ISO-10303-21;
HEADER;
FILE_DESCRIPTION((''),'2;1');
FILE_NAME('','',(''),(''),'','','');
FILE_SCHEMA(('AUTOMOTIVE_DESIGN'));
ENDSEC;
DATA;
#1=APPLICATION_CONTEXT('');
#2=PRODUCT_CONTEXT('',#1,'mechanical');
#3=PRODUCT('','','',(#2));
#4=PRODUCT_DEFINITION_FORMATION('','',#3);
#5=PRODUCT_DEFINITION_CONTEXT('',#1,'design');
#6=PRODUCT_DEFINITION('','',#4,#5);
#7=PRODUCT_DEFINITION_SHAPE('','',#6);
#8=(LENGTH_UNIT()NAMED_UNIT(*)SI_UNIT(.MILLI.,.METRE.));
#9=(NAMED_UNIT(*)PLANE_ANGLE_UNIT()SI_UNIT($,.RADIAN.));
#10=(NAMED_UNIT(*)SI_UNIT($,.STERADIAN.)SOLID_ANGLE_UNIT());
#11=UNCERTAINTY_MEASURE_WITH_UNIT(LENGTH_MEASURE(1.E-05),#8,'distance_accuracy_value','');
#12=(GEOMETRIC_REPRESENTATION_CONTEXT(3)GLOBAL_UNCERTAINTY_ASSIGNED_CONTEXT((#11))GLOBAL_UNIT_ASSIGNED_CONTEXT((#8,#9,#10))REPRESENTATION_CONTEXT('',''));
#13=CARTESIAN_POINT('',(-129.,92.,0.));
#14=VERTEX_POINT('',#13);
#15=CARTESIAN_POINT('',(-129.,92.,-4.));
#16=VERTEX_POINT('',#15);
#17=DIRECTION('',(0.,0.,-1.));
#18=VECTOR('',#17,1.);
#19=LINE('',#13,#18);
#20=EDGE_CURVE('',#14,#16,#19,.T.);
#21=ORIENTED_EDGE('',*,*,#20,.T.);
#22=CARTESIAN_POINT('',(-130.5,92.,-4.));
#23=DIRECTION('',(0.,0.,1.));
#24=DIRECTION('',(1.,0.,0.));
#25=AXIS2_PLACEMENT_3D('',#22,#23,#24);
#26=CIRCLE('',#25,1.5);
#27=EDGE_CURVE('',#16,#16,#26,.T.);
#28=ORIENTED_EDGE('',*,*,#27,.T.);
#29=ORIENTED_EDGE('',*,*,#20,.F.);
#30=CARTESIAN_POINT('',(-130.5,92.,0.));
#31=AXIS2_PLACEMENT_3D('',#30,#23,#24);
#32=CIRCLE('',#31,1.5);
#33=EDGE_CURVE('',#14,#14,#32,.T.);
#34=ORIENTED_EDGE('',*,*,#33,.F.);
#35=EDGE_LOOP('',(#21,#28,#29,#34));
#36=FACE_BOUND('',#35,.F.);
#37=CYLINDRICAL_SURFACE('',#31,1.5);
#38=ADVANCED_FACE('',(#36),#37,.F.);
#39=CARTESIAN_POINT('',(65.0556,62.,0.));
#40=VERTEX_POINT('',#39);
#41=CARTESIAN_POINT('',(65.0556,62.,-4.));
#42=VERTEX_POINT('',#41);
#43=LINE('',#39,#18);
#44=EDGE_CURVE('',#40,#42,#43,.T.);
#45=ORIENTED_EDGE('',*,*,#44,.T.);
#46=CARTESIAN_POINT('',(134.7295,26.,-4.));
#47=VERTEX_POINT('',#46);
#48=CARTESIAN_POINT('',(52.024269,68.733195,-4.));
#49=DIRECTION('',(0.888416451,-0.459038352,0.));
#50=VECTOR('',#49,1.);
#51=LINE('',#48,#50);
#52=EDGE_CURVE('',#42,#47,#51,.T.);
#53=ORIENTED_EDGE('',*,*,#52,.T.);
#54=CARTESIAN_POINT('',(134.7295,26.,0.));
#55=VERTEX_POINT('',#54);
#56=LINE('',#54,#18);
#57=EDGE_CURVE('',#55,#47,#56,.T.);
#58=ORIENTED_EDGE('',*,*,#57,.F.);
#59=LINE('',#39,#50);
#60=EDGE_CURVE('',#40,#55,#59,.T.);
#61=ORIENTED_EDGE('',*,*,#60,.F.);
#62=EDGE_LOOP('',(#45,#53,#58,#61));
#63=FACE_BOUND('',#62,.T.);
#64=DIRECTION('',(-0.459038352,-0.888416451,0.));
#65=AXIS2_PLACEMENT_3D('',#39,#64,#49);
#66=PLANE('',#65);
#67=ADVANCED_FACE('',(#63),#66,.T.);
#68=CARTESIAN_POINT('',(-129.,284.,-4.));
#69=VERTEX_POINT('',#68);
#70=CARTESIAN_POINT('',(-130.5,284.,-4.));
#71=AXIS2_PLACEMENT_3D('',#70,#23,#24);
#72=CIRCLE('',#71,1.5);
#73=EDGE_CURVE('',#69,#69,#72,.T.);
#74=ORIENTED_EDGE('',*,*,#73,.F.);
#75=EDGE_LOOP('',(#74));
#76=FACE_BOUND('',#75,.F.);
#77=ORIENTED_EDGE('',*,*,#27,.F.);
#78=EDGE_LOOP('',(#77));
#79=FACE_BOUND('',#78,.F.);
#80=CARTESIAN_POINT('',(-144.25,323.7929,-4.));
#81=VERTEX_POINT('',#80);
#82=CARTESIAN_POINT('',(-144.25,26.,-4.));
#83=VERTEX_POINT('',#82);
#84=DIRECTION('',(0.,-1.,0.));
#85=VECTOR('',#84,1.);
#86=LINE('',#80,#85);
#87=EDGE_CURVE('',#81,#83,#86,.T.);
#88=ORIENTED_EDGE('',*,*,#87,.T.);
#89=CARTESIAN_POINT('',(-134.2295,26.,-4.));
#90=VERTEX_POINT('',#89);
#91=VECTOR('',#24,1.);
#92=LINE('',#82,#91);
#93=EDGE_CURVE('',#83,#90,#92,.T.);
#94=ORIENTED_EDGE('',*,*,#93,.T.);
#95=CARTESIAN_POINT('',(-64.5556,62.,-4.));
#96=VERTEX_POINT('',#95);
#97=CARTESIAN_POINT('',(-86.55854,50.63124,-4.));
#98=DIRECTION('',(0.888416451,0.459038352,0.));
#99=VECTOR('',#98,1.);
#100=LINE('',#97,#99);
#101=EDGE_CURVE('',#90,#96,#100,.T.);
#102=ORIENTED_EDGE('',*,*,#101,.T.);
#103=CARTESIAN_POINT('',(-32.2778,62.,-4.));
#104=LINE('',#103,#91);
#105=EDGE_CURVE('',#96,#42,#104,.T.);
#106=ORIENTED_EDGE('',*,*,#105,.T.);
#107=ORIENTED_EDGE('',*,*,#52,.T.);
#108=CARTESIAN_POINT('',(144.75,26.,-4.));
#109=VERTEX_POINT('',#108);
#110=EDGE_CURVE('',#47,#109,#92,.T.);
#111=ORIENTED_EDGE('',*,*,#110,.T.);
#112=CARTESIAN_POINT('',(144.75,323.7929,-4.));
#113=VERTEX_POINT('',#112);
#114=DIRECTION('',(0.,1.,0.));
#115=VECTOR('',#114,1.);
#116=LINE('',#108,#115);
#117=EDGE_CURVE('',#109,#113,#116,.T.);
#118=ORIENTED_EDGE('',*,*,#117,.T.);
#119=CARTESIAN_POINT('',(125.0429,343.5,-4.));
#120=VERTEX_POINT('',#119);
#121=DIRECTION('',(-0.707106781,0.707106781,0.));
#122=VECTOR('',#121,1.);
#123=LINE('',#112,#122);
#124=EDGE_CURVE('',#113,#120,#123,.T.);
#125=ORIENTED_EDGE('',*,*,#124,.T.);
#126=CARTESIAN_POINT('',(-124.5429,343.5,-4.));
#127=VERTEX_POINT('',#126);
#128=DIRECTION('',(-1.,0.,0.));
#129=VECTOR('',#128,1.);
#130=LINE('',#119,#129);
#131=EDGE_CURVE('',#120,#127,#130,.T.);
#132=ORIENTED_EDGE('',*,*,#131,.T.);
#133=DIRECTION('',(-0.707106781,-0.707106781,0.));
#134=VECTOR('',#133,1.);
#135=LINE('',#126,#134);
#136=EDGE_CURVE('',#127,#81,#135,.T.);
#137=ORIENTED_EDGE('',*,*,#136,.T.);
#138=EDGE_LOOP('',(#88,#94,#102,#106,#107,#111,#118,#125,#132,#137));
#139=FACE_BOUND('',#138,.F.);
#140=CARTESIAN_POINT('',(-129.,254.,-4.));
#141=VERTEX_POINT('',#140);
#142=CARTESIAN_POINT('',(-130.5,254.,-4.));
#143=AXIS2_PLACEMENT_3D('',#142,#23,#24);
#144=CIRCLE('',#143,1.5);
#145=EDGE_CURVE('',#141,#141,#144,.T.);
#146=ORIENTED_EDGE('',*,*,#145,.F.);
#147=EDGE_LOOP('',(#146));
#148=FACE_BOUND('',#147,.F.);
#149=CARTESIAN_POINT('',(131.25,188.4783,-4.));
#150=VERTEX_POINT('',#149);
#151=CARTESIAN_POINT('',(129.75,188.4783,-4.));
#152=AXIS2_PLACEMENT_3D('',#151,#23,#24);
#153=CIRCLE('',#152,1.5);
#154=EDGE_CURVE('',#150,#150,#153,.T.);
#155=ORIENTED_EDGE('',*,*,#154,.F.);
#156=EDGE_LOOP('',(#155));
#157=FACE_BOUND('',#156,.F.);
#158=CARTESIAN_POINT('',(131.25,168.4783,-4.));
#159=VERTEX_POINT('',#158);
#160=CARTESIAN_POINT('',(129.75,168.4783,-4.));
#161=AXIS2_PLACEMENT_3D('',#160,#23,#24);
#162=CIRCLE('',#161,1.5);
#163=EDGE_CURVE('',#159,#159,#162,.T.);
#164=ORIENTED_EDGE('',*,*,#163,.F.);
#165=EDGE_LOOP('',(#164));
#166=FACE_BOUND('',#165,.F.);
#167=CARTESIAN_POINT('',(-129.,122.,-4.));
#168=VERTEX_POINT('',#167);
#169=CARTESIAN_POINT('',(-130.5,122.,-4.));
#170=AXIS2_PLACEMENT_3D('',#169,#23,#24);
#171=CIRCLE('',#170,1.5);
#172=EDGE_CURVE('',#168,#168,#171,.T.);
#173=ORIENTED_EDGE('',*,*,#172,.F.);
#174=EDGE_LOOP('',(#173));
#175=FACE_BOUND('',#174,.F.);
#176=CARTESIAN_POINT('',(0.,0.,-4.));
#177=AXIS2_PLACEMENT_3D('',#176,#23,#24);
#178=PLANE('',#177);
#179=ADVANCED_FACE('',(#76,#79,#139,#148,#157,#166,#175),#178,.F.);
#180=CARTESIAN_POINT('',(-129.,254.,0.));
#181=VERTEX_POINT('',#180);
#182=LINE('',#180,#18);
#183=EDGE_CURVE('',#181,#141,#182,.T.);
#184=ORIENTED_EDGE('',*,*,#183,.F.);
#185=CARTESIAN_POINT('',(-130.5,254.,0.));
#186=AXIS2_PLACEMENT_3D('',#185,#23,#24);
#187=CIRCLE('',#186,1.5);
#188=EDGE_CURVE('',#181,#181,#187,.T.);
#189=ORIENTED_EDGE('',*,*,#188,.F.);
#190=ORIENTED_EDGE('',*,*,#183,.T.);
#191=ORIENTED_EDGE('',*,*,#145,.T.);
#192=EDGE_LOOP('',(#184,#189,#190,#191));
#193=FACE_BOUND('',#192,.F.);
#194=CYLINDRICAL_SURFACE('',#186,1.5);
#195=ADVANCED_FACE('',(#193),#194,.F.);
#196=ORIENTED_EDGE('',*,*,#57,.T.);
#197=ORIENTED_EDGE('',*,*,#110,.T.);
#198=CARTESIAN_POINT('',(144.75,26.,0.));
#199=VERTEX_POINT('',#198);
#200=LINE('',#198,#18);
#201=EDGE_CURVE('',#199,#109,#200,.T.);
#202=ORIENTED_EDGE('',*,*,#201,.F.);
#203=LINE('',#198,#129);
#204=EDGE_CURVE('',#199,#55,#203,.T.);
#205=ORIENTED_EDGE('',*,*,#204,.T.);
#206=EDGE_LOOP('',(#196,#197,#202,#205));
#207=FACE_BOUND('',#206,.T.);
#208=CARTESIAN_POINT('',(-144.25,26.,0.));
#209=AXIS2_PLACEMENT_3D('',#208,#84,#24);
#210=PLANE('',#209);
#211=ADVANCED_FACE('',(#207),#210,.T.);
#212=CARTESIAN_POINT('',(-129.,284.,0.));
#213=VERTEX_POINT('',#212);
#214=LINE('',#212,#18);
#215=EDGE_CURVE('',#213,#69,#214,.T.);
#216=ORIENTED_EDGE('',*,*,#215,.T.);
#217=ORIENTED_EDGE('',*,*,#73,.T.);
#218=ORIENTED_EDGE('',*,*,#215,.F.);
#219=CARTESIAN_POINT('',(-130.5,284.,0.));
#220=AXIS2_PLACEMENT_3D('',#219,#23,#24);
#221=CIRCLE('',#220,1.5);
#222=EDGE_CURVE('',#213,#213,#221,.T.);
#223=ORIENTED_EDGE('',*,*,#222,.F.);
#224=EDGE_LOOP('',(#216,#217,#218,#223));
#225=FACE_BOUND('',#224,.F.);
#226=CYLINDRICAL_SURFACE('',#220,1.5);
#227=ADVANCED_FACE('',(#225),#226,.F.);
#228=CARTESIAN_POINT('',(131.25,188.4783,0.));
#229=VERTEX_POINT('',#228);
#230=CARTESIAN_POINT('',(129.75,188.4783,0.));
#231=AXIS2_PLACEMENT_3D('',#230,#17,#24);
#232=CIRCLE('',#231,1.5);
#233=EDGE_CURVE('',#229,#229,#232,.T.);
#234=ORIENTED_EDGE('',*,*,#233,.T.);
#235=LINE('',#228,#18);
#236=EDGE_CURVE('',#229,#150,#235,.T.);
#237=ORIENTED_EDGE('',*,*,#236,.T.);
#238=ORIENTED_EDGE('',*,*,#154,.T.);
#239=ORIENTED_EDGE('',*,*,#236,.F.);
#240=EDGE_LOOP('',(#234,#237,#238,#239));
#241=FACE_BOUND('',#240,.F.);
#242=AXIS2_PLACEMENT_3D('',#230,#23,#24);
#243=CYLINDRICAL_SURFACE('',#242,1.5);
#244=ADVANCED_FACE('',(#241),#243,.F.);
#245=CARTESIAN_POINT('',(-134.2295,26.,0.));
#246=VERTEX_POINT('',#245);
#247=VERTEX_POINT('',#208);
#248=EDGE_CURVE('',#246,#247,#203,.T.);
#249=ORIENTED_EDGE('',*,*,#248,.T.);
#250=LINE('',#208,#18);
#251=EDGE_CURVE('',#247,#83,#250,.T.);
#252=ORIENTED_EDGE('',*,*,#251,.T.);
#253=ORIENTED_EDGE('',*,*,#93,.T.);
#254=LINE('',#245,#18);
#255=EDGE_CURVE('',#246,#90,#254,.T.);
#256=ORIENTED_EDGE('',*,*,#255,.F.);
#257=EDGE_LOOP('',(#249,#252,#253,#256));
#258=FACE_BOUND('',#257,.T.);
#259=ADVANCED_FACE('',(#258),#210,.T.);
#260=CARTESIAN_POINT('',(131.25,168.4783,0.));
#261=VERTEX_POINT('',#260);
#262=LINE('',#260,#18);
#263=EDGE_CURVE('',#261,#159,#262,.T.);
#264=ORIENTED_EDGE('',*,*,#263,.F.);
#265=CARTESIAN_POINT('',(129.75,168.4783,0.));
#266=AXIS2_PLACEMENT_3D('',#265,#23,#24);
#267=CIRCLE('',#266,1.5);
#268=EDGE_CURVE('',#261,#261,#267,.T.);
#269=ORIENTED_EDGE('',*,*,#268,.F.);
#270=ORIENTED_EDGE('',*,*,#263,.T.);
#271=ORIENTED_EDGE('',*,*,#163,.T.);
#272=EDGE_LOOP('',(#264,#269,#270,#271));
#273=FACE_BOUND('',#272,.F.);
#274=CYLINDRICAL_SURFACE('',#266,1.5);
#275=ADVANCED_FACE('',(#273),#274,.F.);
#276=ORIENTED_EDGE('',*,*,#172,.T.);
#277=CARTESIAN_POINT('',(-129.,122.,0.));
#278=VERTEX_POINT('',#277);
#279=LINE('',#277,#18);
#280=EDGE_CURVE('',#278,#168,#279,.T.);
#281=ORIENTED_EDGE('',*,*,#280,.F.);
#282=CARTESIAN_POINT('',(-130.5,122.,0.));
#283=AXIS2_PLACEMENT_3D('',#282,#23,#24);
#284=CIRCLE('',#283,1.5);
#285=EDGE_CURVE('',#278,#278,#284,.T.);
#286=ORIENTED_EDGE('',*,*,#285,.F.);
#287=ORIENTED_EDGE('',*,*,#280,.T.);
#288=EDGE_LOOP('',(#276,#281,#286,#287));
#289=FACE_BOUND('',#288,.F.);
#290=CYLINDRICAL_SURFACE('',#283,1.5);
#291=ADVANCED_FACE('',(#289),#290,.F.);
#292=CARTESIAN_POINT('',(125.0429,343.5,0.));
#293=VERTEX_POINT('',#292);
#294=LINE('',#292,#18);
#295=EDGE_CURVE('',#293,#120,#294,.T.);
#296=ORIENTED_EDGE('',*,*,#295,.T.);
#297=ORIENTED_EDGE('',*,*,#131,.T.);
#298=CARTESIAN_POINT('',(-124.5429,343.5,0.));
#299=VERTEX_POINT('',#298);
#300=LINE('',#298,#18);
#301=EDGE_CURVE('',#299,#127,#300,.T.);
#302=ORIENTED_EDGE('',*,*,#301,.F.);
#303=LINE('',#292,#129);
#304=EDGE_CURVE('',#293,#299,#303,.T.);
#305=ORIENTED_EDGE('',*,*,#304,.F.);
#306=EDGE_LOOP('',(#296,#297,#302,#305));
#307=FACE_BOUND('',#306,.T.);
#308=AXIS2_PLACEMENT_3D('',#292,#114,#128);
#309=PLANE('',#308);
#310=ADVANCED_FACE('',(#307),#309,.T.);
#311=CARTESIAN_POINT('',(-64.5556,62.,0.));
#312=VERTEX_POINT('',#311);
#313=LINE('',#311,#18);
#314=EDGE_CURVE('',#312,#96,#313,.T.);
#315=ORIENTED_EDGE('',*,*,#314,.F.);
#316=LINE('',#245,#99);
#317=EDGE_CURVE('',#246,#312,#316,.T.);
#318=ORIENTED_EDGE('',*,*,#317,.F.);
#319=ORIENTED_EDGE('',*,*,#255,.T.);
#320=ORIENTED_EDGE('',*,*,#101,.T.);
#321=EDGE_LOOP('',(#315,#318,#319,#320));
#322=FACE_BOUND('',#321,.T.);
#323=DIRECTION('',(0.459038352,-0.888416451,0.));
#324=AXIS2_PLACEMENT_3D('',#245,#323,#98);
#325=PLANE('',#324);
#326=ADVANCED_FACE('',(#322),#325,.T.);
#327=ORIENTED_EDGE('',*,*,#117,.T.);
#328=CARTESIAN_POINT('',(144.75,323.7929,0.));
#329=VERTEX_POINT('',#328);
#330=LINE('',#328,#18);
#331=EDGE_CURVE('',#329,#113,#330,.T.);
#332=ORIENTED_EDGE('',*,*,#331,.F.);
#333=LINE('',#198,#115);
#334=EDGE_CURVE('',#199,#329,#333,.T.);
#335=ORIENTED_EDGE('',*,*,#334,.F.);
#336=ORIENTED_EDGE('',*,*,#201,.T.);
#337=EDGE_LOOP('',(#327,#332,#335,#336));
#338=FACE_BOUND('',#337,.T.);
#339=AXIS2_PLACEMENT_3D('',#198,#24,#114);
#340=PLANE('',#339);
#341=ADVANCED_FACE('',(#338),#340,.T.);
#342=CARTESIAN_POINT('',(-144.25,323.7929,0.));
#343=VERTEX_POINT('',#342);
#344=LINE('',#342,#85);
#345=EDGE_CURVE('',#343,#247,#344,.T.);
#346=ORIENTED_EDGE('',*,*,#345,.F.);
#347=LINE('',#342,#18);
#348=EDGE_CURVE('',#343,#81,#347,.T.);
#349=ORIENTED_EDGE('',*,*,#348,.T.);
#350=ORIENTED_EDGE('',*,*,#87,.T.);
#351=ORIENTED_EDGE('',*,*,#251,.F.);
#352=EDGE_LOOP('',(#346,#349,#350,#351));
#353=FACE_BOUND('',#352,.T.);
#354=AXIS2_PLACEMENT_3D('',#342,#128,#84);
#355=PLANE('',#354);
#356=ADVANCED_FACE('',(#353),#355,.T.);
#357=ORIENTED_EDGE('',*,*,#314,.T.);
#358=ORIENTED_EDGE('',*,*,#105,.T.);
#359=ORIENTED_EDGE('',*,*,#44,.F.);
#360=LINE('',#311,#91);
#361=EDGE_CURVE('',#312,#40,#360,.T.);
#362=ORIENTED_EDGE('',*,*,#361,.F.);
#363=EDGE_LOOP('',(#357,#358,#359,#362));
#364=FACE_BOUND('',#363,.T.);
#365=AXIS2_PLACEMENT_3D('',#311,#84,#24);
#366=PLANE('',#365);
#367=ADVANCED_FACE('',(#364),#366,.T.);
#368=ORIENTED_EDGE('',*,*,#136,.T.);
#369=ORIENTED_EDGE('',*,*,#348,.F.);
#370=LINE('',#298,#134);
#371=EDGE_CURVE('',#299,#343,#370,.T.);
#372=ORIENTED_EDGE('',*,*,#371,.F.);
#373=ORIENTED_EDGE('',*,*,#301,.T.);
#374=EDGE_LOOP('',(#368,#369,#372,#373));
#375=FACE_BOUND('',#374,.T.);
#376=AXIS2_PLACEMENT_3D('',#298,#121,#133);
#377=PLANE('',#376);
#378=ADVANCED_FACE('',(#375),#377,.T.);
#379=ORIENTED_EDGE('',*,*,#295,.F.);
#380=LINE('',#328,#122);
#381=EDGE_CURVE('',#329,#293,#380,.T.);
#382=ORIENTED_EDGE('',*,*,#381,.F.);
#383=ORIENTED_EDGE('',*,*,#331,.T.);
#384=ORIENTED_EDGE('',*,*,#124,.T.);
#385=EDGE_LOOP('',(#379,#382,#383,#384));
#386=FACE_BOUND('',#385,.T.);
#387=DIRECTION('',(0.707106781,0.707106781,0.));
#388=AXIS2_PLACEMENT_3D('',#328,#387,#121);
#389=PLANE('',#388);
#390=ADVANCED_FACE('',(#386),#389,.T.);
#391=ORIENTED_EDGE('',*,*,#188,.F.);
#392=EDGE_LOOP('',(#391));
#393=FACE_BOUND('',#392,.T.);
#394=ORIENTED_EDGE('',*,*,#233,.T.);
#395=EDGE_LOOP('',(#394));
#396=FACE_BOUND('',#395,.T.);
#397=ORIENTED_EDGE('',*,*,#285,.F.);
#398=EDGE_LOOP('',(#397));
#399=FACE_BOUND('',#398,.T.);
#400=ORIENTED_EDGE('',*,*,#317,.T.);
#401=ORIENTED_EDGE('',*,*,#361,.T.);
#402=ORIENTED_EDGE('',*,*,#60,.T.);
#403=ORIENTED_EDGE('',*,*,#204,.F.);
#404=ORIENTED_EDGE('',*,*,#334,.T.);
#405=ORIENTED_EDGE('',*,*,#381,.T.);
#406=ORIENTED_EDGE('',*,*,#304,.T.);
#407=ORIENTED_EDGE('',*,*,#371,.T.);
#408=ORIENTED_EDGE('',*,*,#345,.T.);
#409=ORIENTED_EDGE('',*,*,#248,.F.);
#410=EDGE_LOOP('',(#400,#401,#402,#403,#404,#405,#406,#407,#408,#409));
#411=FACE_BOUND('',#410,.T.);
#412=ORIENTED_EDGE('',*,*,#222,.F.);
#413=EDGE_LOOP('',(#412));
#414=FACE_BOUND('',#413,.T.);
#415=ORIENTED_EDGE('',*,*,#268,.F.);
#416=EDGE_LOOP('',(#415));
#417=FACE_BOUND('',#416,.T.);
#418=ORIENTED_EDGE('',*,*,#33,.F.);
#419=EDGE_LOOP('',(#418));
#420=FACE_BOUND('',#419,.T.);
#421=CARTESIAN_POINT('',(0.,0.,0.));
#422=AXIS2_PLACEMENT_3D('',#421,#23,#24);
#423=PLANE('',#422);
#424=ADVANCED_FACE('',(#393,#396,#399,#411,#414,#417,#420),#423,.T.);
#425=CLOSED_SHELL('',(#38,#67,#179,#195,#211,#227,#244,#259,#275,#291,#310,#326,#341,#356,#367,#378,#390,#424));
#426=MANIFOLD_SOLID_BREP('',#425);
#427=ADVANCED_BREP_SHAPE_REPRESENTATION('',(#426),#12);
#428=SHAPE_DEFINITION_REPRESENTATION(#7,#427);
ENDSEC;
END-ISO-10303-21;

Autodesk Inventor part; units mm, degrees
ref_plane "YZ Plane" through (0, 0, 0) normal (1, 0, 0) x (0, 1, 0)
ref_plane "XZ Plane" through (0, 0, 0) normal (0, 1, 0) x (-1, 0, 0)
ref_plane "XY Plane" through (0, 0, 0) normal (0, 0, 1) x (1, 0, 0)
sketch "Эскиз1" plane through (0, 0, 0) normal (0, 0, 1) x (1, 0, 0)
  line L0 (-194.75, 26) -> (-144.75, 26) projected
  line L1 (-144.75, 26) -> (-144.75, 324) projected
  line L2 (-144.75, 324) -> (-124.75, 344) projected
  line L3 (-124.75, 344) -> (125.25, 344) projected
  line L4 (125.25, 344) -> (145.25, 324) projected
  line L5 (145.25, 324) -> (145.25, 26) projected
  line L6 (145.25, 26) -> (195.25, 26) projected
  line L7 (195.25, 26) -> (195.25, 534) projected
  line L8 (195.25, 534) -> (-194.75, 534) projected
  line L9 (-194.75, 534) -> (-194.75, 26) projected
  circle A0 centre (1.25, 464) radius 20.6 projected
  circle A1 centre (179.75, 255) radius 2 projected
  circle A2 centre (-179.25, 79.5) radius 2 projected
  circle A3 centre (179.75, 40) radius 1.5 projected
  circle A4 centre (-179.25, 337) radius 1.5 projected
  circle A5 centre (-179.25, 40) radius 1.5 projected
  circle A6 centre (-179.25, 308) radius 2 projected
  circle A7 centre (179.75, 292) radius 2 projected
  circle A8 centre (-158.5, 122) radius 1.5 projected
  circle A9 centre (-158.5, 254) radius 1.5 projected
  circle A10 centre (-158.5, 284) radius 1.5 projected
  circle A11 centre (-158.5, 92) radius 1.5 projected
  circle A12 centre (150.5171, 178.4783) radius 1.5 projected
  line L10 (-144.25, 26) -> (144.75, 26)
  line L11 (-124.5429, 343.5) -> (-144.25, 323.7929)
  line L12 (-144.25, 323.7929) -> (-144.25, 26)
  line L13 (-144.25, 25.5) -> (-195.25, 25.5)
  line L14 (-195.25, 25.5) -> (-195.25, 534.5)
  line L15 (-195.25, 534.5) -> (195.75, 534.5)
  line L16 (195.75, 534.5) -> (195.75, 25.5)
  line L17 (195.75, 25.5) -> (144.75, 25.5)
  line L18 (144.75, 26) -> (144.75, 323.7929)
  line L19 (144.75, 323.7929) -> (125.0429, 343.5)
  line L20 (125.0429, 343.5) -> (-124.5429, 343.5)
  circle A13 centre (-130.5, 284) radius 1.5 projected
  circle A14 centre (-130.5, 254) radius 1.5 projected
  circle A15 centre (-130.5, 122) radius 1.5 projected
  circle A16 centre (-130.5, 92) radius 1.5 projected
  dimension "d21" = 0.5
  dimension "d22" = 0.5
  dimension "d23" = 0.5
  dimension "d24" = 0.5
extrude "Выдавливание1" add sketch "Эскиз1" against normal blind 4 contours L12 L11 L20 L19 L18 L10
sketch "Эскиз2" plane through (0, 0, 0) normal (0, 0, 1) x (1, 0, 0)
  circle A0 centre (-130.5, 92) radius 1.5 projected
  circle A1 centre (-130.5, 122) radius 1.5 projected
  circle A2 centre (-130.5, 254) radius 1.5 projected
  circle A3 centre (-130.5, 284) radius 1.5 projected
  line L0 (-114.5429, 343.5) -> (-144.25, 313.7929) projected
  line L1 (-144.25, 313.7929) -> (-144.25, 43.1688) projected
  line L2 (-144.25, 43.1688) -> (-103.3546, -10.5) projected
  line L3 (-103.3546, -10.5) -> (103.8544, -10.5) projected
  line L4 (103.8544, -10.5) -> (144.75, 43.1637) projected
  line L5 (144.75, 43.1637) -> (144.75, 313.7929) projected
  line L6 (144.75, 313.7929) -> (115.0429, 343.5) projected
  line L7 (115.0429, 343.5) -> (-114.5429, 343.5) projected
  line L8 (144.75, 43.1637) -> (144.75, 313.7929) projected
  line L9 (144.75, 178.4783) -> (129.75, 178.4783)
  line L10 (129.75, 178.4783) -> (129.75, 188.4783)
  circle A4 centre (129.75, 188.4783) radius 1.5
  circle A5 centre (129.75, 168.4783) radius 1.5
  point P0 (0, 0)
  dimension "d7" = 3
  dimension "d8" = 3
  dimension "d9" = 10
  dimension "d10" = 20
  dimension "d11" = 15
extrude "Выдавливание2" cut sketch "Эскиз2" against normal blind 10 contours A4 | A5
sketch "Эскиз4" plane through (0, 0, 0) normal (0, 0, 1) x (1, 0, 0)
  line L0 (-106.1226, 31) -> (-137.405, 31) projected
  line L1 (137.905, 31) -> (106.6226, 31) projected
  line L2 (-103.3546, -10.5) -> (-144.25, 43.1688) projected
  line L3 (-134.9774, 31) -> (135.4804, 31)
  line L4 (144.75, 43.1637) -> (103.8544, -10.5) projected
  line L5 (-103.3546, -10.5) -> (103.8544, -10.5) projected
  line L6 (-134.9774, 31) -> (-103.3546, -10.5)
  line L7 (-103.3546, -10.5) -> (103.8544, -10.5)
  line L8 (103.8544, -10.5) -> (135.4804, 31)
  line L9 (-131.1675, 26) -> (131.67, 26)
  point P0 (0, 0)
  dimension "d16" = 0
  dimension "d19" = 12.1688
  dimension "d20" = 5
extrude "Выдавливание4" cut sketch "Эскиз4" against normal blind 5 contours L9 L4 L5 L2
sketch "Эскиз7" plane through (0, 0, 0) normal (0, 0, 1) x (1, 0, 0)
  line L0 (-131.9699, 31.6699) -> (-66.8244, 65.3301) construction
  line L1 (-64.0309, 66) -> (0.25, 66) construction
  line L2 (0.25, 65.3301) -> (57.2313, 65.3301) construction
  line L3 (59.4686, 65.3301) -> (67.3244, 65.3301) construction
  line L4 (67.3244, 65.3301) -> (132.4699, 31.6699) construction
  line L5 (144.9404, 31) -> (68.8214, 70.3301) construction
  line L6 (-144.4404, 31) -> (-68.3214, 70.3301) construction
  line L7 (0.25, 71) -> (-65.5279, 71) construction
  line L8 (66.0279, 71) -> (0.25, 71) construction
  line L9 (-144.25, 26) -> (144.75, 26) projected
  line L10 (-134.2295, 26) -> (-64.5556, 62)
  line L11 (-64.5556, 62) -> (65.0556, 62)
  line L12 (65.0556, 62) -> (134.7295, 26)
  line L13 (134.7295, 26) -> (-134.2295, 26)
  line L14 (-144.25, 323.7929) -> (-144.25, 26) projected
  line L15 (144.75, 323.7929) -> (144.75, 26) projected
  point P0 (0, 0)
  dimension "d32" = 4
  dimension "d33" = 4
  dimension "d34" = 4
extrude "Выдавливание6" cut sketch "Эскиз7" against normal blind 5
properties part number "дверька"
